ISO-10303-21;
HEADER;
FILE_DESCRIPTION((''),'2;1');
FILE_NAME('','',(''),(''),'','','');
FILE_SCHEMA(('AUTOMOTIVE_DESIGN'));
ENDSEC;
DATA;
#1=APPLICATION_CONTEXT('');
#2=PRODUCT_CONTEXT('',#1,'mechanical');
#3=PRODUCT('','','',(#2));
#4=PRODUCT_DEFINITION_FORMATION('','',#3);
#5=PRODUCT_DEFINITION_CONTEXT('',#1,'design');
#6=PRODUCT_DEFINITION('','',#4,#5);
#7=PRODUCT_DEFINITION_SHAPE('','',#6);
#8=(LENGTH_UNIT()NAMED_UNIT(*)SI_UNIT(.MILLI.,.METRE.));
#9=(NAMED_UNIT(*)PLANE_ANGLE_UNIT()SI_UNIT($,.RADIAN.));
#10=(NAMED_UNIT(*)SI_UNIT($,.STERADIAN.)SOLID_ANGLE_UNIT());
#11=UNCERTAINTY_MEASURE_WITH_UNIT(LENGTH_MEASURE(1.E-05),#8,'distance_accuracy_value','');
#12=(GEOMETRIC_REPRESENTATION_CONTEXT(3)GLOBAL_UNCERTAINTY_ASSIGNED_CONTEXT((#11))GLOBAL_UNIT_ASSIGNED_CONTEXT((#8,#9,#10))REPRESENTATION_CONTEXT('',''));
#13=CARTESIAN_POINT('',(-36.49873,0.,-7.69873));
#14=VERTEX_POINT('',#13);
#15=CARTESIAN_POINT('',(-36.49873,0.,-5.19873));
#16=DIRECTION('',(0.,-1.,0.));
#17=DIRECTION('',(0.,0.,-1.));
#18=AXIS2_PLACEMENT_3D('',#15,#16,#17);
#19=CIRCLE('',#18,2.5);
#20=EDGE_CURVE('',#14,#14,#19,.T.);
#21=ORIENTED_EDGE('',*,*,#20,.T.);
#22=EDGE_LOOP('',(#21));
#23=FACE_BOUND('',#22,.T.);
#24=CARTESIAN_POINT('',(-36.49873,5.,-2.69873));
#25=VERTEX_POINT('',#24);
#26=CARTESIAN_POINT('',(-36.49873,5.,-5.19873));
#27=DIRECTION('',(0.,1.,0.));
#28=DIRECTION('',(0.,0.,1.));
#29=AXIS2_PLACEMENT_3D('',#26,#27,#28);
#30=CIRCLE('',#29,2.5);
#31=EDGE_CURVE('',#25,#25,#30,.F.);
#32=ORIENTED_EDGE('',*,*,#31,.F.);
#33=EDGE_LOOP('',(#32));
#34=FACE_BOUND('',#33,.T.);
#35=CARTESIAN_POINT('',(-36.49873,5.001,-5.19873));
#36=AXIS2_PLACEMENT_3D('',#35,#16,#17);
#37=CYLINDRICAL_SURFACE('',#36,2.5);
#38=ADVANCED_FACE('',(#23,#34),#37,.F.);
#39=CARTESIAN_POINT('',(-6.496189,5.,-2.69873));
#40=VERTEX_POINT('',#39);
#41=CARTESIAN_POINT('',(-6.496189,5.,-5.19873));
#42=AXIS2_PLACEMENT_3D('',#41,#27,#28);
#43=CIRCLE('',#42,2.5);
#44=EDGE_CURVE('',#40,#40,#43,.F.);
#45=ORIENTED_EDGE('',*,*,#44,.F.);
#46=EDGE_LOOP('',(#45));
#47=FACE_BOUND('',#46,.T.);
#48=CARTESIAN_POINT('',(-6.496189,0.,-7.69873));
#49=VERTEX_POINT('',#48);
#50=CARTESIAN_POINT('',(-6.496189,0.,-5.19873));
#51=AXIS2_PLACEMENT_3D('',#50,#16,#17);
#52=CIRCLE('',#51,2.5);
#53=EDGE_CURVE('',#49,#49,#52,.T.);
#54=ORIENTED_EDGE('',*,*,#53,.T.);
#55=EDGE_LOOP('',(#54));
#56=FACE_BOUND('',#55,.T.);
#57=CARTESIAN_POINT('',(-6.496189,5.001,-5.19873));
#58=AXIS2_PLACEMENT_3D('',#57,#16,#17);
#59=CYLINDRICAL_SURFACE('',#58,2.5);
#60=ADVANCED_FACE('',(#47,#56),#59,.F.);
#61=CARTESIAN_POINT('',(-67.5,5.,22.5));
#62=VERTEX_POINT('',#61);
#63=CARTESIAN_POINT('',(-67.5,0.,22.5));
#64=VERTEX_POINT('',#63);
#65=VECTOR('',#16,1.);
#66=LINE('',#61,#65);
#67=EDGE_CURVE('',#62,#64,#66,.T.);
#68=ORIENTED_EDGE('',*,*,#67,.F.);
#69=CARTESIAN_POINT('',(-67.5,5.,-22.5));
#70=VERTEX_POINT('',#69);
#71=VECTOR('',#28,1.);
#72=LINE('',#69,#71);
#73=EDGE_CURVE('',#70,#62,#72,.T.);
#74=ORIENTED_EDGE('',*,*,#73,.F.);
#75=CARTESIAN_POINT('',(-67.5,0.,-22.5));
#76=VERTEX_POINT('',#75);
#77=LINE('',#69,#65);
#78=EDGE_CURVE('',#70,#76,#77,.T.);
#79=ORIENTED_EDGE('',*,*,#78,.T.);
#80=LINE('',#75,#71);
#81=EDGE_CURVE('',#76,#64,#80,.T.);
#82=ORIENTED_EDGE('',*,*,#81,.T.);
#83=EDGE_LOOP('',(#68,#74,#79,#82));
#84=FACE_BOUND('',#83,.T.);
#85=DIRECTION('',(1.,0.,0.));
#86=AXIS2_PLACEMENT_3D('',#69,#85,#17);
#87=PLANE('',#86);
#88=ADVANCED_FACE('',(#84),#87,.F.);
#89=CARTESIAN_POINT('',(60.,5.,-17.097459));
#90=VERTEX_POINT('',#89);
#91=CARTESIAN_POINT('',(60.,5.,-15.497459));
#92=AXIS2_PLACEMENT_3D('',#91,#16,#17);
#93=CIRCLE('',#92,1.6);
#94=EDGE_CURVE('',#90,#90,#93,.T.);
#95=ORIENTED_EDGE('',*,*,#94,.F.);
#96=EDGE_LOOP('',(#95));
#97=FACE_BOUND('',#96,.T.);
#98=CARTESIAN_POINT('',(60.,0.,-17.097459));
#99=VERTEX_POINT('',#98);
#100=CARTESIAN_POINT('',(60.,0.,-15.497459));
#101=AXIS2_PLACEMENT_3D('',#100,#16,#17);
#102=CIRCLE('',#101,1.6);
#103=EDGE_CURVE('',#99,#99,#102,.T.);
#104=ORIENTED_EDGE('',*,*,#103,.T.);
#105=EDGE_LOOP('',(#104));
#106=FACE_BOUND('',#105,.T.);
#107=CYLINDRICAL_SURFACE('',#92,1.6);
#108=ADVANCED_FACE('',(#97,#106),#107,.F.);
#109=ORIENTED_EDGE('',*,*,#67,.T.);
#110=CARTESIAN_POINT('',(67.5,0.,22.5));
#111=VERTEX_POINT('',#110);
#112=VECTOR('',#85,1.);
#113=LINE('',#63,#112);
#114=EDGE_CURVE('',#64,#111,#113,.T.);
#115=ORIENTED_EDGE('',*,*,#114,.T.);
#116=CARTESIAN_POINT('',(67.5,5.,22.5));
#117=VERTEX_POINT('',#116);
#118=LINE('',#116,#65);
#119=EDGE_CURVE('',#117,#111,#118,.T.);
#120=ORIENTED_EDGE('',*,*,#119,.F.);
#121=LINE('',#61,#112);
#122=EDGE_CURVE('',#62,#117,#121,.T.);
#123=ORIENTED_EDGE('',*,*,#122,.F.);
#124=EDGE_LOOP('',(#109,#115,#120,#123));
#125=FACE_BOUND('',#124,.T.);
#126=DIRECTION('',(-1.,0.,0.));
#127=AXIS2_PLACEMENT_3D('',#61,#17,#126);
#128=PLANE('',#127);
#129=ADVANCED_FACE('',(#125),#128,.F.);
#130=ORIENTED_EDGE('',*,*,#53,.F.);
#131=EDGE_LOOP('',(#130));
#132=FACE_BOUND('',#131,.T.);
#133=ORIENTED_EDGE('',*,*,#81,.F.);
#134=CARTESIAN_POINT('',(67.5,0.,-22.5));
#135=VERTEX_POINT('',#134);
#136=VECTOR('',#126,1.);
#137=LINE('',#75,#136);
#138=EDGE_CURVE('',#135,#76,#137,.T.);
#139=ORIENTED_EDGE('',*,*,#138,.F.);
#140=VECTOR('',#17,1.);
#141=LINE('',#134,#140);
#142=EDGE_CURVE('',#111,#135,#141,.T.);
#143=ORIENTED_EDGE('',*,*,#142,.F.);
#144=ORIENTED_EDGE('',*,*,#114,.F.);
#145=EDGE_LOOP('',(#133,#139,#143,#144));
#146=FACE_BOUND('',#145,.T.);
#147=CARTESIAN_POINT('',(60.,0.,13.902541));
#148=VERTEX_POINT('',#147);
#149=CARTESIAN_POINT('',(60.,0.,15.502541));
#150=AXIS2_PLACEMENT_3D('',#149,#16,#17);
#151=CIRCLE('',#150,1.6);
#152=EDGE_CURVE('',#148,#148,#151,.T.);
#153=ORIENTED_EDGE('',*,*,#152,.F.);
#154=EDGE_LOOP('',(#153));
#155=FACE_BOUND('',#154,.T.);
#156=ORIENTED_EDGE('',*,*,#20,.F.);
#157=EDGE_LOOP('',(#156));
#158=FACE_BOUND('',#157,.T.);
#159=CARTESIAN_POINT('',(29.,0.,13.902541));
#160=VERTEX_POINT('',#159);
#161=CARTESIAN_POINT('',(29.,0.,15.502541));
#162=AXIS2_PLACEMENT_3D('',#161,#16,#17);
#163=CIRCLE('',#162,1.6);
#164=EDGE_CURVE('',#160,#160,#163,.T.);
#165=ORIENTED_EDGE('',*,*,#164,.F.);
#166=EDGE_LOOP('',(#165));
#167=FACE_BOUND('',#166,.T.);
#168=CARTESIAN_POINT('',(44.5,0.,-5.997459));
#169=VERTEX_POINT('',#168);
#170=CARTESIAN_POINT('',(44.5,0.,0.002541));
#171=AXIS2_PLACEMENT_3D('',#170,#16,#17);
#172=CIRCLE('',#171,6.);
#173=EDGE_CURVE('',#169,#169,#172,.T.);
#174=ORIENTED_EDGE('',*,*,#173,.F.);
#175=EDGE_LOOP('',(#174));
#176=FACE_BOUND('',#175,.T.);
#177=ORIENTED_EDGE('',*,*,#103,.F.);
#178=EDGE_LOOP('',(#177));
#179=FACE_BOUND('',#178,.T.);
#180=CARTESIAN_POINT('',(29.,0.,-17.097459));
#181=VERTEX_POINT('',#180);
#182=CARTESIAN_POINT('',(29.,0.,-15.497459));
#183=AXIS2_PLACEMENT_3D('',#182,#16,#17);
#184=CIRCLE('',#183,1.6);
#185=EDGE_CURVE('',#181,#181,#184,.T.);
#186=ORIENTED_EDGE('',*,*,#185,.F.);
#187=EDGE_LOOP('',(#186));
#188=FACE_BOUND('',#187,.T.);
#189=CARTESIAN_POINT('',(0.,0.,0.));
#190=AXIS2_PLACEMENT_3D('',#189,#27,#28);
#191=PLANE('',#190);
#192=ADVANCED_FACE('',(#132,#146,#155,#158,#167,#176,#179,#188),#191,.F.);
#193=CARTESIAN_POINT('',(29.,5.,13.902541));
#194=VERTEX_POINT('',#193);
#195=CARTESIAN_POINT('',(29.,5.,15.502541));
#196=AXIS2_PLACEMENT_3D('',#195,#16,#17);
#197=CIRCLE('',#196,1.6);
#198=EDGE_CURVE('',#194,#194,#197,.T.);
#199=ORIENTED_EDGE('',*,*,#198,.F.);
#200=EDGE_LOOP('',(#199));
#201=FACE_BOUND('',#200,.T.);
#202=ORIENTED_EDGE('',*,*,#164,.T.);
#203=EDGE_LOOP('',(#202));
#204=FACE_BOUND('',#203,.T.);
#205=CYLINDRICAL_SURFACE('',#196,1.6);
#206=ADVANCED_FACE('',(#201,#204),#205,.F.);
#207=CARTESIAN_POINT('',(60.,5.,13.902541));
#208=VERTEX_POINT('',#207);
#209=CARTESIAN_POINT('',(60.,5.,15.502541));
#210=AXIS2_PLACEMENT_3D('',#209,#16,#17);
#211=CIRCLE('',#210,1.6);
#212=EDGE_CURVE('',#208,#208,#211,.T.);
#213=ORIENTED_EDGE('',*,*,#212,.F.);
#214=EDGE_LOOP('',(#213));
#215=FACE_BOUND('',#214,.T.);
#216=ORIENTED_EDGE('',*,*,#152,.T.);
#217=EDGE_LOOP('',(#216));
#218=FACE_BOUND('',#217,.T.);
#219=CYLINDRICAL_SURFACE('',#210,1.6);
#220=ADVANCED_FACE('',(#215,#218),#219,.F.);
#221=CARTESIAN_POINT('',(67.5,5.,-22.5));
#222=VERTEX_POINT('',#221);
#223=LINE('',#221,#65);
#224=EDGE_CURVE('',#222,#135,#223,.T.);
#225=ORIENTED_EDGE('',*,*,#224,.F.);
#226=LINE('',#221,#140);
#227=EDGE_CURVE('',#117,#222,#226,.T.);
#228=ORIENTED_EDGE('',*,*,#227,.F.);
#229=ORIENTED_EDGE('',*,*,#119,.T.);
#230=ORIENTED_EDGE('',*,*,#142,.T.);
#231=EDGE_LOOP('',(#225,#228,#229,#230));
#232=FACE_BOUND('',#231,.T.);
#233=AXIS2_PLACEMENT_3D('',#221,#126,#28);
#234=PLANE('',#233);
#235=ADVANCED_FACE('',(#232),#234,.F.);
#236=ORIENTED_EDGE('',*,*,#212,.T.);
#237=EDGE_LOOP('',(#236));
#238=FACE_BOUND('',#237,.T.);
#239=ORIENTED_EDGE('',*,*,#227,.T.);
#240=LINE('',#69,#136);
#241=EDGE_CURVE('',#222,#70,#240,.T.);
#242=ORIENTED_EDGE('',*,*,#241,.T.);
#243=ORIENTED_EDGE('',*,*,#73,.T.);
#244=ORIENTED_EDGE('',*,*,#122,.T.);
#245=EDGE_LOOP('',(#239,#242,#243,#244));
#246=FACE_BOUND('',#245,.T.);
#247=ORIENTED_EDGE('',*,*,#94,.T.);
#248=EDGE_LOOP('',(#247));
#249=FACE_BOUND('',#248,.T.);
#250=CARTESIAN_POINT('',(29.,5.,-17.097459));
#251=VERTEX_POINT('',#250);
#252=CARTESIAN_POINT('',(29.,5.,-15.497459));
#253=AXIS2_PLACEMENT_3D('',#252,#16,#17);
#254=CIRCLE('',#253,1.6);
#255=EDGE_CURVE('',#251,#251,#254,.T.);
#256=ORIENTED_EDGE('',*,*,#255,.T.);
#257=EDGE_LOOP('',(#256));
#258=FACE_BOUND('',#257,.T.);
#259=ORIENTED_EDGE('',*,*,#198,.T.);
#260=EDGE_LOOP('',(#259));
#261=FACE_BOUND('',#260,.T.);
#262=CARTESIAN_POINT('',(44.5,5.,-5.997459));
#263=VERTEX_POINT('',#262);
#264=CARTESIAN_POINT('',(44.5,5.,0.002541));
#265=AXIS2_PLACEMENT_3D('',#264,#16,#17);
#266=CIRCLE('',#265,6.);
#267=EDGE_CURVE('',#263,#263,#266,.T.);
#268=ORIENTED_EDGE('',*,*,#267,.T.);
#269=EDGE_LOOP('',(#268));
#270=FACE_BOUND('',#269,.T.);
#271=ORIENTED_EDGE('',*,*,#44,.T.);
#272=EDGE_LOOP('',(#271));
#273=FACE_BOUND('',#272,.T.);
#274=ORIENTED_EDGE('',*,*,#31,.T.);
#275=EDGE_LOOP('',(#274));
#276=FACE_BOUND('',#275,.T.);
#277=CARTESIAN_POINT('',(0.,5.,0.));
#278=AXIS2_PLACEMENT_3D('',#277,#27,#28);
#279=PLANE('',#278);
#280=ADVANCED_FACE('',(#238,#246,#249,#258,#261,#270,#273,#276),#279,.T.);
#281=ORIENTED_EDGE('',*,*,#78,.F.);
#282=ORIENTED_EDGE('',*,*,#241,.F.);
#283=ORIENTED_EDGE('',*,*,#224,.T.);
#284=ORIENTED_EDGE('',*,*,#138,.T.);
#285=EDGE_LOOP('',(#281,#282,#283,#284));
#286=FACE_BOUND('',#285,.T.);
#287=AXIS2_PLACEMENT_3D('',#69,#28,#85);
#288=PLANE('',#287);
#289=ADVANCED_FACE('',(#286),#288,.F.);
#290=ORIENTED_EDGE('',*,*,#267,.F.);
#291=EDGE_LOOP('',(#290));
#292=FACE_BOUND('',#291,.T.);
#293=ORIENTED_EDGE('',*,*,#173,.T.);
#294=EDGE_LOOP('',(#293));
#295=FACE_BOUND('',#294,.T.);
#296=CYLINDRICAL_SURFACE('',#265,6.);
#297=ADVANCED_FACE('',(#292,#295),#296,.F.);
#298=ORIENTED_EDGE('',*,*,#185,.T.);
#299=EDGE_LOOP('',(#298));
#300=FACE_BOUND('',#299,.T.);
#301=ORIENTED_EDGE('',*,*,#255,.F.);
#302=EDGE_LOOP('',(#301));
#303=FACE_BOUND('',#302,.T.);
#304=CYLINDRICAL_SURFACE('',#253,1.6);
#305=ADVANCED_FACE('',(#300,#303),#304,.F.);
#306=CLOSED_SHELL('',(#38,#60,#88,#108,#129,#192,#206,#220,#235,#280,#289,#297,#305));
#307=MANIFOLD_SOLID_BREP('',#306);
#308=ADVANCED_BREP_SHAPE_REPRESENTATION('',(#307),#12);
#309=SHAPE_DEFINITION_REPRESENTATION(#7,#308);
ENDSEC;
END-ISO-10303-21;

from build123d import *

# Parameters (mm, degrees)
SKETCH1_W           = 135
SKETCH1_H           = 45
BOSS_EXTRUDE1_DEPTH = 5
CUT_EXTRUDE2_REACH  = 73.327
SKETCH3_R           = 2.5
SKETCH4_R           = 6
SKETCH4_R_2         = 1.6
CUT_EXTRUDE3_DEPTH  = 72.326713088


with BuildPart() as part:
    # Sketch1 → Boss-Extrude1 (new body)
    with BuildSketch(Plane(origin=(0, 0, 0), x_dir=(1, 0, 0), z_dir=(0, 1, 0))):
        Rectangle(SKETCH1_W, SKETCH1_H)
    extrude(amount=BOSS_EXTRUDE1_DEPTH)

    # Sketch3 → Cut-Extrude2 (cut, up to next)
    with BuildSketch(Plane.XZ, mode=Mode.PRIVATE) as cut_extrude2_sk1:
        with Locations(Location((-36.498729637, -5.198729637, 0), (0, 0, 270))):
            Circle(SKETCH3_R)
    cut_extrude2_tool1 = extrude(cut_extrude2_sk1.sketch, amount=-CUT_EXTRUDE2_REACH, mode=Mode.PRIVATE) & part.part
    # Sketch3 → Cut-Extrude2 (cut, up to next)
    with BuildSketch(Plane.XZ, mode=Mode.PRIVATE) as cut_extrude2_sk2:
        with Locations(Location((-6.496188911, -5.198729637, 0), (0, 0, 270))):
            Circle(SKETCH3_R)
    cut_extrude2_tool2 = extrude(cut_extrude2_sk2.sketch, amount=-CUT_EXTRUDE2_REACH, mode=Mode.PRIVATE) & part.part
    add(cut_extrude2_tool1.solids().sort_by_distance((-36.49873, 0, -5.19873))[0], mode=Mode.SUBTRACT)
    add(cut_extrude2_tool2.solids().sort_by_distance((-6.496189, 0, -5.19873))[0], mode=Mode.SUBTRACT)

    # Sketch4 → Cut-Extrude3 (cut, through all)
    with BuildSketch(Plane.XZ):
        with Locations(Location((44.5, 0.002540726, 0), (0, 0, 270))):
            Circle(SKETCH4_R)
        with Locations(Location((60, 15.502540726, 0), (0, 0, 270))):
            Circle(SKETCH4_R_2)
        with Locations(Location((29, 15.502540726, 0), (0, 0, 270))):
            Circle(SKETCH4_R_2)
        with Locations(Location((29, -15.497459274, 0), (0, 0, 270))):
            Circle(SKETCH4_R_2)
        with Locations(Location((60, -15.497459274, 0), (0, 0, 270))):
            Circle(SKETCH4_R_2)
    extrude(amount=-CUT_EXTRUDE3_DEPTH, mode=Mode.SUBTRACT)


solid = part.part
